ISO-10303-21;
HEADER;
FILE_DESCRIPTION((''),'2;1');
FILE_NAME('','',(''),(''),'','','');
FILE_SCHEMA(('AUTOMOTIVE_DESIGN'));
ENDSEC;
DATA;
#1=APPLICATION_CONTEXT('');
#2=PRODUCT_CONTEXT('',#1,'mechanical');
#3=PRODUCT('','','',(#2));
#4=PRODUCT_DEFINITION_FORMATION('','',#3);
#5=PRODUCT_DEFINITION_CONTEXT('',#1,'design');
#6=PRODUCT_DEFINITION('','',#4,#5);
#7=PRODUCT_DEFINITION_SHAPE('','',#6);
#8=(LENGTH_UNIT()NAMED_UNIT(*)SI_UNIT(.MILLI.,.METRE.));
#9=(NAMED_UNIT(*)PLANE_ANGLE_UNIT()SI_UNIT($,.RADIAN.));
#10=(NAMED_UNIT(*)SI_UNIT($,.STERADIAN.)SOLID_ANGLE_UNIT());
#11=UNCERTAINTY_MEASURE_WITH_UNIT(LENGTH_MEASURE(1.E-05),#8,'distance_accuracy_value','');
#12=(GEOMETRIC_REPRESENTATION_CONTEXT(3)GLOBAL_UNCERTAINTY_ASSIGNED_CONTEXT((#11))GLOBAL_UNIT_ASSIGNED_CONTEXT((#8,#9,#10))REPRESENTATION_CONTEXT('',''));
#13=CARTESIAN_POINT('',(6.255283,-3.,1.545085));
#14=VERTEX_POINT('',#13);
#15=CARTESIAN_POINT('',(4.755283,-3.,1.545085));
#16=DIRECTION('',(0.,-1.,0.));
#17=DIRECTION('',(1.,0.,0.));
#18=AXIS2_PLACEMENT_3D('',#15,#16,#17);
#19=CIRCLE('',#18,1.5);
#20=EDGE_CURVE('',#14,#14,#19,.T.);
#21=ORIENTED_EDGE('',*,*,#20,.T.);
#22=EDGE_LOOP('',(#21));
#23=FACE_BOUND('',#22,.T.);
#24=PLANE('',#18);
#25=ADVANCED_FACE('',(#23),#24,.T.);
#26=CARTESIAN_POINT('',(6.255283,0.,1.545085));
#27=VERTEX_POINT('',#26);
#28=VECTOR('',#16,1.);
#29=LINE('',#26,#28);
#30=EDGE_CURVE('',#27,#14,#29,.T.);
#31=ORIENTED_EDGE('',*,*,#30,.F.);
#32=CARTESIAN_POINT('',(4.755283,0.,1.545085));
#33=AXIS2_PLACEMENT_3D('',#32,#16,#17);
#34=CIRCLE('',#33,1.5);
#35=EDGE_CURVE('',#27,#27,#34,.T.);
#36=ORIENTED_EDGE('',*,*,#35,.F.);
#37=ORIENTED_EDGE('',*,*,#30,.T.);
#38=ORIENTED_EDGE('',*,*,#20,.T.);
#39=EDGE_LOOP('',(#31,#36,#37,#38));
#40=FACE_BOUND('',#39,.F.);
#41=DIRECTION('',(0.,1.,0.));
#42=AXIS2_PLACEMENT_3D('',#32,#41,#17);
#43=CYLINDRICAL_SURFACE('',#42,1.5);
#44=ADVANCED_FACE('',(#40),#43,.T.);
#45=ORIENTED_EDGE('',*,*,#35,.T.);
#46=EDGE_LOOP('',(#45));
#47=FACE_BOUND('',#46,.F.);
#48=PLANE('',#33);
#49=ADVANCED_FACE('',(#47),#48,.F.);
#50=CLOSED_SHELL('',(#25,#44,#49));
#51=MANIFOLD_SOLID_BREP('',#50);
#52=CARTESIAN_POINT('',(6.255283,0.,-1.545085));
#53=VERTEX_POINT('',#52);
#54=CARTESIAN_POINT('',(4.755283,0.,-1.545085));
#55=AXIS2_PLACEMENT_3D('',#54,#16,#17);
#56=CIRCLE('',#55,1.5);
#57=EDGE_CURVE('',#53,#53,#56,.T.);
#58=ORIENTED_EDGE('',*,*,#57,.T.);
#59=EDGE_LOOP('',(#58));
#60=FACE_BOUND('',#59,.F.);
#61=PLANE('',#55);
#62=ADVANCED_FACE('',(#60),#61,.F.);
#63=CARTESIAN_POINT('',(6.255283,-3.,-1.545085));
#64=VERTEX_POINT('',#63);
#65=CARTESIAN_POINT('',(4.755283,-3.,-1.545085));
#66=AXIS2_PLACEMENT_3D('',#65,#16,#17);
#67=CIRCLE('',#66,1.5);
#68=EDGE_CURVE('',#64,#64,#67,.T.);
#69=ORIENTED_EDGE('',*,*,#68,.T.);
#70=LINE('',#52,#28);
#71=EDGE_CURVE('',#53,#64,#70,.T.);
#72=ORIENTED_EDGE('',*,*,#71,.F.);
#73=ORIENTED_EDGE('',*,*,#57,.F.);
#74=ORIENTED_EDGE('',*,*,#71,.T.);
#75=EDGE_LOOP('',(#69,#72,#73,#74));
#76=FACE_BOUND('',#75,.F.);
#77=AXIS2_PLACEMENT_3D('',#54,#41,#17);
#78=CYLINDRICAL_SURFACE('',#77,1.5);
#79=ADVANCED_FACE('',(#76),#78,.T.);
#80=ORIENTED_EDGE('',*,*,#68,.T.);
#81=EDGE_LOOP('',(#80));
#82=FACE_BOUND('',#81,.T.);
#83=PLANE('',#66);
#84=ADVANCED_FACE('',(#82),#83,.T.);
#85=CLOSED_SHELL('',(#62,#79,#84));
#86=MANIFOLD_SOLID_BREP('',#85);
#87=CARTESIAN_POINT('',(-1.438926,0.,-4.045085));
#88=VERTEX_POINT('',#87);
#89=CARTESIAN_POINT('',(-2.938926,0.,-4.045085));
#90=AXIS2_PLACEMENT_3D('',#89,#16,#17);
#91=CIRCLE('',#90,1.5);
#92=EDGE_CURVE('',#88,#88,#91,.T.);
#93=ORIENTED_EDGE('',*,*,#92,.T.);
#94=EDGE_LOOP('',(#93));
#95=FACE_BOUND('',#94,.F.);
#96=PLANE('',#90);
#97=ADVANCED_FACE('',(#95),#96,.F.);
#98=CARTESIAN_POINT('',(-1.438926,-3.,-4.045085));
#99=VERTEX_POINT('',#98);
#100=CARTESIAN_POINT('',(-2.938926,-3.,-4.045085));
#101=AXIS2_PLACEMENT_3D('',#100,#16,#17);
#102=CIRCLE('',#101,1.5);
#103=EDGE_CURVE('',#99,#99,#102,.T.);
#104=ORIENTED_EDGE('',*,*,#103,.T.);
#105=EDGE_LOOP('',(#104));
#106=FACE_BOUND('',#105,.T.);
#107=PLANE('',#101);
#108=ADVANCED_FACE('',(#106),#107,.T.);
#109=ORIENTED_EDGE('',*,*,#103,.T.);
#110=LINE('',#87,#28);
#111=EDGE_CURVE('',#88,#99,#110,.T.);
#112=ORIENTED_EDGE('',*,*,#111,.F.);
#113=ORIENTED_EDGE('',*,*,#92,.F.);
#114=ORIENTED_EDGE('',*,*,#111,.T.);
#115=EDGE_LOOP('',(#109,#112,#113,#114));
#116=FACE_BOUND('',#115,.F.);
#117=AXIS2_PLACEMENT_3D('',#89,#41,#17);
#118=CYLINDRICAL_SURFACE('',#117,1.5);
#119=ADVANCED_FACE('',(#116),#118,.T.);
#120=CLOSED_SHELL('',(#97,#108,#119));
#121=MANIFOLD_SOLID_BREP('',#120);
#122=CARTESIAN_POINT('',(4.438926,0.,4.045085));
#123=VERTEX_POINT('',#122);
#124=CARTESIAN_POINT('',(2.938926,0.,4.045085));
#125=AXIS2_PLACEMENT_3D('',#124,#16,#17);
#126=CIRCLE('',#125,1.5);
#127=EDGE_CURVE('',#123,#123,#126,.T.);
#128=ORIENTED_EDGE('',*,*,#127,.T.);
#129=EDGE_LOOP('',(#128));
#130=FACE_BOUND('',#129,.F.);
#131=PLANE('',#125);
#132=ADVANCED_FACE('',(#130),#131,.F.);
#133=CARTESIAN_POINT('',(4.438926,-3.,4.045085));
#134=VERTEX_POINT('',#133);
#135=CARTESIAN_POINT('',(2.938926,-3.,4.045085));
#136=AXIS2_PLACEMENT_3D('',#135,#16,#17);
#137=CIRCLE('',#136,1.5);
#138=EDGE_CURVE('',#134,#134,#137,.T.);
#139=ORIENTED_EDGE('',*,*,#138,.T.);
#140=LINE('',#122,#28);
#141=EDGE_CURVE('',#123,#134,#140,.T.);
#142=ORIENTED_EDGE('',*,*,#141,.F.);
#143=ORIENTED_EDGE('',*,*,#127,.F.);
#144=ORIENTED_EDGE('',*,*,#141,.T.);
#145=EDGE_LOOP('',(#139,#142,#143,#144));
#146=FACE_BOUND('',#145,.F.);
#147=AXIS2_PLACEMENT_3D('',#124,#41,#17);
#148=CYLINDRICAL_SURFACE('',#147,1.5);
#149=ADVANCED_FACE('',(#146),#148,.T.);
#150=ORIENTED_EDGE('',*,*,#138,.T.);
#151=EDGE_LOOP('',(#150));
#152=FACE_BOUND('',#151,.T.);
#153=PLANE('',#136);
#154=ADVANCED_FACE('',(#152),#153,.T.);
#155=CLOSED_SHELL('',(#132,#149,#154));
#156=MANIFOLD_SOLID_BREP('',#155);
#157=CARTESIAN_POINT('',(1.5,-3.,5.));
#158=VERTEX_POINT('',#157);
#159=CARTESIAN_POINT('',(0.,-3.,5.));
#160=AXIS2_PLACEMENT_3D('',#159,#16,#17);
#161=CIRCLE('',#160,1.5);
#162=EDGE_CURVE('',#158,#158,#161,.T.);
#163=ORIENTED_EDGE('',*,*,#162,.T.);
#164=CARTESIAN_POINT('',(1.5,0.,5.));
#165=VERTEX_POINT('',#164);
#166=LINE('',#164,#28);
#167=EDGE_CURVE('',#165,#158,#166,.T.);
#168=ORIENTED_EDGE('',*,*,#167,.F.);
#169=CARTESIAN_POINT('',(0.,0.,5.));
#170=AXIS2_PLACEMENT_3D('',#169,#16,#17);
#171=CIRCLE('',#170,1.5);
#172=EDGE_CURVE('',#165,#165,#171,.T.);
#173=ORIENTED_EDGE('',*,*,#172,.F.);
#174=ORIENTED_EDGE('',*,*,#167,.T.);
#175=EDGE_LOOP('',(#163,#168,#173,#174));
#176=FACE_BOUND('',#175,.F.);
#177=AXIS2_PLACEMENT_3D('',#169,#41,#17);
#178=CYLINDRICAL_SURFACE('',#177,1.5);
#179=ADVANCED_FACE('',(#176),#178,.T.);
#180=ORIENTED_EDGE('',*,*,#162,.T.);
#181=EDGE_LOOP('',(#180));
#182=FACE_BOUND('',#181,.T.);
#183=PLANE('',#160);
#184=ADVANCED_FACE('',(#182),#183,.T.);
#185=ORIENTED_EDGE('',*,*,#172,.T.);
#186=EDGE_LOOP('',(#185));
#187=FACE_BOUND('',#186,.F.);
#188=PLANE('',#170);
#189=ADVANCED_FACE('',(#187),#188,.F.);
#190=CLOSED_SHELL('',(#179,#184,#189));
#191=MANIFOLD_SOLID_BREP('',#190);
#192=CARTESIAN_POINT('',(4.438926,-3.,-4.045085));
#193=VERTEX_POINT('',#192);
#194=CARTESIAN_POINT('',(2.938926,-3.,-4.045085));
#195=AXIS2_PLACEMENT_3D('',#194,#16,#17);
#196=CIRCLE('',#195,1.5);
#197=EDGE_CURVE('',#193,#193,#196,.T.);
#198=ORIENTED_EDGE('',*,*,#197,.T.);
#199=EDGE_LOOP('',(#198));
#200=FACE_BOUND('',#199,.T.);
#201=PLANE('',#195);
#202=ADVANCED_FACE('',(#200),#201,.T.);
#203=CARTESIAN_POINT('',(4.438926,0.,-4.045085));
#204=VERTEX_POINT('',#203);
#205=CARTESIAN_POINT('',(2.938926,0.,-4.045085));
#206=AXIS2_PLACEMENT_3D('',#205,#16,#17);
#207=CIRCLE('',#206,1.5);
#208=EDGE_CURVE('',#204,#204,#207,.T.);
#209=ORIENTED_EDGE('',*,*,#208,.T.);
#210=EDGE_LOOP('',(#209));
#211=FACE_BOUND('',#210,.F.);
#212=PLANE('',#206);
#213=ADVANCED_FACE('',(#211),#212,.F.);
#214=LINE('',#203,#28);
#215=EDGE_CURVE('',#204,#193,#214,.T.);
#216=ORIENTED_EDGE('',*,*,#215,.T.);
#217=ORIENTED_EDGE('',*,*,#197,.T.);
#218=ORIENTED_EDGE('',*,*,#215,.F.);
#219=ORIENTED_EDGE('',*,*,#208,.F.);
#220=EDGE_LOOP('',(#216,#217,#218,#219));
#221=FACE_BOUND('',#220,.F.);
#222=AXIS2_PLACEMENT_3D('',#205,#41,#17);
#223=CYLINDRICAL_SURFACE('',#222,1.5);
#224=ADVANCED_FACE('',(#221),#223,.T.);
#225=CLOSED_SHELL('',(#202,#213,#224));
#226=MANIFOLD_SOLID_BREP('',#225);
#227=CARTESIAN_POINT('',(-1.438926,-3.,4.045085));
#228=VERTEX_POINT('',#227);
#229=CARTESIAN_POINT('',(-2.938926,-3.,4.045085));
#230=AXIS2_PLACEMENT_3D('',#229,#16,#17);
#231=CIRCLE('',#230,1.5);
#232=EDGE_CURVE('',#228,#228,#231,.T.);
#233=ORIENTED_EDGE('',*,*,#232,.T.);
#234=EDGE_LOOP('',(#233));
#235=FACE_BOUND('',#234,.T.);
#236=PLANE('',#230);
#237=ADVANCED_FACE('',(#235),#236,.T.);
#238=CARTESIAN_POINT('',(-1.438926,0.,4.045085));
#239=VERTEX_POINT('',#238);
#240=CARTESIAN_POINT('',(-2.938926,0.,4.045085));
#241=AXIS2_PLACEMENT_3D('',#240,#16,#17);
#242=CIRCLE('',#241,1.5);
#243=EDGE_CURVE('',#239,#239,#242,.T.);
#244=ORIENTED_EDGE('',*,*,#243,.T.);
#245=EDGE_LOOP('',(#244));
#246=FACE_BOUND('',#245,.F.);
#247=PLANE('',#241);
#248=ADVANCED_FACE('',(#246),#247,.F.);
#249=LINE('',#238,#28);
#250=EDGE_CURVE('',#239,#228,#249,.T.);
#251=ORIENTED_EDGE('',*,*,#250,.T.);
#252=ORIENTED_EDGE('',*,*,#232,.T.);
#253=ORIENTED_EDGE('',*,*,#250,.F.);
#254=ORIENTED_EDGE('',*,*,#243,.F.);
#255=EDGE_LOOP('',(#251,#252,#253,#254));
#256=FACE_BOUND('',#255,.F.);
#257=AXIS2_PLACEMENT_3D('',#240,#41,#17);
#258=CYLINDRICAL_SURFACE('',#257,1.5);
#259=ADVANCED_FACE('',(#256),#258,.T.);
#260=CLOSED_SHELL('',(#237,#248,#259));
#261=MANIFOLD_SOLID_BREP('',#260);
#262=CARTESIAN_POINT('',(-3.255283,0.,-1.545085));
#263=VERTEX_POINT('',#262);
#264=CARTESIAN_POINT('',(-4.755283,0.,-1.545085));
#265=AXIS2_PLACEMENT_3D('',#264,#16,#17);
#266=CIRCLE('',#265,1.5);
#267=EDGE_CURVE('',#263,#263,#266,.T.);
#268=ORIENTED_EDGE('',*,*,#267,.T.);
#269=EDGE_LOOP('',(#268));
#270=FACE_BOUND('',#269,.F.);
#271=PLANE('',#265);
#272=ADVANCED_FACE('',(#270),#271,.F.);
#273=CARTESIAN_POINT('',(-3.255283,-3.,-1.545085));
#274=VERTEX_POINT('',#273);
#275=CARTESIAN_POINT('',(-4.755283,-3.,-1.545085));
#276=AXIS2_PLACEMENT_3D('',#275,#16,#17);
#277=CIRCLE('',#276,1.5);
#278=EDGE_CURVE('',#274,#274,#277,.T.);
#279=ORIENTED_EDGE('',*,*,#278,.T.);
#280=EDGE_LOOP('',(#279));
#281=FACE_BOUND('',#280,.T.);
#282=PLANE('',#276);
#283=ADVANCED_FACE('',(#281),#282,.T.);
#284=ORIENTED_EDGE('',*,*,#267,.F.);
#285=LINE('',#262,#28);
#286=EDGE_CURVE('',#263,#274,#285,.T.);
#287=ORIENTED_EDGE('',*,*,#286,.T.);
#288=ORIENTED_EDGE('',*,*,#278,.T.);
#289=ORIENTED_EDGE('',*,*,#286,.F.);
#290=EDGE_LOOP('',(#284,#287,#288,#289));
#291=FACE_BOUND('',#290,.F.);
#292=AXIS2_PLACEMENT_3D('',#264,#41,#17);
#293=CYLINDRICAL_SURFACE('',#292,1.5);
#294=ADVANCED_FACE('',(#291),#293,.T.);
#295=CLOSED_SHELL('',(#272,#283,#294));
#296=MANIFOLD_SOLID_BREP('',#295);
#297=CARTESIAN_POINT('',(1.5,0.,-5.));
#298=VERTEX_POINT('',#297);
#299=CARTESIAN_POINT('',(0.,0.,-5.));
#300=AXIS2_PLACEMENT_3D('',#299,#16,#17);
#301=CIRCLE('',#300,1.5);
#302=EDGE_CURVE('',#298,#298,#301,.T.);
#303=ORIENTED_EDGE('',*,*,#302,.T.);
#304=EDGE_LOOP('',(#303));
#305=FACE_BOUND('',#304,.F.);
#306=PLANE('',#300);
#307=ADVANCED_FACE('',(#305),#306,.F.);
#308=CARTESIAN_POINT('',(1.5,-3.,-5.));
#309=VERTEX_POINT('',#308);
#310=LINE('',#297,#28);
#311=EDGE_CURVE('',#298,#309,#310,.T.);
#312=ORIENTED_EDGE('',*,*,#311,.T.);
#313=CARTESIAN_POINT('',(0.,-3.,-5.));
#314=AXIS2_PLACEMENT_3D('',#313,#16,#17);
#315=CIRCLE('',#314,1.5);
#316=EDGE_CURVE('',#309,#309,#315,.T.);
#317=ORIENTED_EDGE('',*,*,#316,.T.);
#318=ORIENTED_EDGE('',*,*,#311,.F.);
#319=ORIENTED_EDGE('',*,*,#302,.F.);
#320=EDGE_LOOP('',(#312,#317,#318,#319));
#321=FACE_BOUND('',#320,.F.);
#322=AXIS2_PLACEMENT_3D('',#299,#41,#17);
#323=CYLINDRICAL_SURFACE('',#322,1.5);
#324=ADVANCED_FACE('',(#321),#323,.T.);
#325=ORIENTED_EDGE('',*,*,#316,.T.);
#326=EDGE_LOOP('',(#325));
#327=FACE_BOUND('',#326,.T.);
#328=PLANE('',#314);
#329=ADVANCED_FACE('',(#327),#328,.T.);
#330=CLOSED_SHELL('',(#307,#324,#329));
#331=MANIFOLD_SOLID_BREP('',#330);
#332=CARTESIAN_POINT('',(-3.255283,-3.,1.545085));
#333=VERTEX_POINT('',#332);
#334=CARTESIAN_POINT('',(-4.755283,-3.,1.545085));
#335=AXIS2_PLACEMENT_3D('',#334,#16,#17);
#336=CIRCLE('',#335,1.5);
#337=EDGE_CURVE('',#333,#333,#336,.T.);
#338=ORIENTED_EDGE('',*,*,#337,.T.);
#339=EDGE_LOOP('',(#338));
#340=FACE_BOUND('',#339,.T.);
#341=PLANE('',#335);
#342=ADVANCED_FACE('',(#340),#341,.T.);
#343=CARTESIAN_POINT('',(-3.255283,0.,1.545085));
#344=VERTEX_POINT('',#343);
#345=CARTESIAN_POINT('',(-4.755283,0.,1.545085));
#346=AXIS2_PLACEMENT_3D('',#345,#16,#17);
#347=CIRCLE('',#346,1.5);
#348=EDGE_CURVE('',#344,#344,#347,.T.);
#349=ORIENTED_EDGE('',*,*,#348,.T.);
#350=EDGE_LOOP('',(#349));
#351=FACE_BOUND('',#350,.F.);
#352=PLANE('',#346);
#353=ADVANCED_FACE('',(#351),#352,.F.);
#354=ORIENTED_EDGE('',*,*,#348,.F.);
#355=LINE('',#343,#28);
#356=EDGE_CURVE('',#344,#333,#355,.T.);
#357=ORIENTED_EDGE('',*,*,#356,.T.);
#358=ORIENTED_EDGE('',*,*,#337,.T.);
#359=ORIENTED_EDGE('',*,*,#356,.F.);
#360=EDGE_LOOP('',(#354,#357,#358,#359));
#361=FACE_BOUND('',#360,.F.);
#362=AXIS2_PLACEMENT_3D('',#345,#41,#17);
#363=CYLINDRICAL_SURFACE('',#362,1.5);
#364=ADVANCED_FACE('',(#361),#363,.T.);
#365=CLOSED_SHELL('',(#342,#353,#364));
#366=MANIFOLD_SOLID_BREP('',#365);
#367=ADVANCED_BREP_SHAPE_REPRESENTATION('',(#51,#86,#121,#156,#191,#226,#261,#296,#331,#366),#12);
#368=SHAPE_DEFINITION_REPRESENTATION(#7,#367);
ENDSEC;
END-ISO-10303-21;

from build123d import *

# Parameters (mm, degrees)
F0_R     = 1.5
F1_DEPTH = 3


with BuildPart() as f1:
    # F0 (on Front) → F1 (new body)
    with BuildSketch(Plane.XZ):
        with Locations((0, -5)):
            Circle(F0_R)
        with Locations((2.938926, -4.045085)):
            Circle(F0_R)
        with Locations((4.755283, -1.545085)):
            Circle(F0_R)
        with Locations((4.755283, 1.545085)):
            Circle(F0_R)
        with Locations((2.938926, 4.045085)):
            Circle(F0_R)
        with Locations((0, 5)):
            Circle(F0_R)
        with Locations((-2.938926, 4.045085)):
            Circle(F0_R)
        with Locations((-4.755283, 1.545085)):
            Circle(F0_R)
        with Locations((-4.755283, -1.545085)):
            Circle(F0_R)
        with Locations((-2.938926, -4.045085)):
            Circle(F0_R)
    extrude(amount=F1_DEPTH)


solid = f1.part
